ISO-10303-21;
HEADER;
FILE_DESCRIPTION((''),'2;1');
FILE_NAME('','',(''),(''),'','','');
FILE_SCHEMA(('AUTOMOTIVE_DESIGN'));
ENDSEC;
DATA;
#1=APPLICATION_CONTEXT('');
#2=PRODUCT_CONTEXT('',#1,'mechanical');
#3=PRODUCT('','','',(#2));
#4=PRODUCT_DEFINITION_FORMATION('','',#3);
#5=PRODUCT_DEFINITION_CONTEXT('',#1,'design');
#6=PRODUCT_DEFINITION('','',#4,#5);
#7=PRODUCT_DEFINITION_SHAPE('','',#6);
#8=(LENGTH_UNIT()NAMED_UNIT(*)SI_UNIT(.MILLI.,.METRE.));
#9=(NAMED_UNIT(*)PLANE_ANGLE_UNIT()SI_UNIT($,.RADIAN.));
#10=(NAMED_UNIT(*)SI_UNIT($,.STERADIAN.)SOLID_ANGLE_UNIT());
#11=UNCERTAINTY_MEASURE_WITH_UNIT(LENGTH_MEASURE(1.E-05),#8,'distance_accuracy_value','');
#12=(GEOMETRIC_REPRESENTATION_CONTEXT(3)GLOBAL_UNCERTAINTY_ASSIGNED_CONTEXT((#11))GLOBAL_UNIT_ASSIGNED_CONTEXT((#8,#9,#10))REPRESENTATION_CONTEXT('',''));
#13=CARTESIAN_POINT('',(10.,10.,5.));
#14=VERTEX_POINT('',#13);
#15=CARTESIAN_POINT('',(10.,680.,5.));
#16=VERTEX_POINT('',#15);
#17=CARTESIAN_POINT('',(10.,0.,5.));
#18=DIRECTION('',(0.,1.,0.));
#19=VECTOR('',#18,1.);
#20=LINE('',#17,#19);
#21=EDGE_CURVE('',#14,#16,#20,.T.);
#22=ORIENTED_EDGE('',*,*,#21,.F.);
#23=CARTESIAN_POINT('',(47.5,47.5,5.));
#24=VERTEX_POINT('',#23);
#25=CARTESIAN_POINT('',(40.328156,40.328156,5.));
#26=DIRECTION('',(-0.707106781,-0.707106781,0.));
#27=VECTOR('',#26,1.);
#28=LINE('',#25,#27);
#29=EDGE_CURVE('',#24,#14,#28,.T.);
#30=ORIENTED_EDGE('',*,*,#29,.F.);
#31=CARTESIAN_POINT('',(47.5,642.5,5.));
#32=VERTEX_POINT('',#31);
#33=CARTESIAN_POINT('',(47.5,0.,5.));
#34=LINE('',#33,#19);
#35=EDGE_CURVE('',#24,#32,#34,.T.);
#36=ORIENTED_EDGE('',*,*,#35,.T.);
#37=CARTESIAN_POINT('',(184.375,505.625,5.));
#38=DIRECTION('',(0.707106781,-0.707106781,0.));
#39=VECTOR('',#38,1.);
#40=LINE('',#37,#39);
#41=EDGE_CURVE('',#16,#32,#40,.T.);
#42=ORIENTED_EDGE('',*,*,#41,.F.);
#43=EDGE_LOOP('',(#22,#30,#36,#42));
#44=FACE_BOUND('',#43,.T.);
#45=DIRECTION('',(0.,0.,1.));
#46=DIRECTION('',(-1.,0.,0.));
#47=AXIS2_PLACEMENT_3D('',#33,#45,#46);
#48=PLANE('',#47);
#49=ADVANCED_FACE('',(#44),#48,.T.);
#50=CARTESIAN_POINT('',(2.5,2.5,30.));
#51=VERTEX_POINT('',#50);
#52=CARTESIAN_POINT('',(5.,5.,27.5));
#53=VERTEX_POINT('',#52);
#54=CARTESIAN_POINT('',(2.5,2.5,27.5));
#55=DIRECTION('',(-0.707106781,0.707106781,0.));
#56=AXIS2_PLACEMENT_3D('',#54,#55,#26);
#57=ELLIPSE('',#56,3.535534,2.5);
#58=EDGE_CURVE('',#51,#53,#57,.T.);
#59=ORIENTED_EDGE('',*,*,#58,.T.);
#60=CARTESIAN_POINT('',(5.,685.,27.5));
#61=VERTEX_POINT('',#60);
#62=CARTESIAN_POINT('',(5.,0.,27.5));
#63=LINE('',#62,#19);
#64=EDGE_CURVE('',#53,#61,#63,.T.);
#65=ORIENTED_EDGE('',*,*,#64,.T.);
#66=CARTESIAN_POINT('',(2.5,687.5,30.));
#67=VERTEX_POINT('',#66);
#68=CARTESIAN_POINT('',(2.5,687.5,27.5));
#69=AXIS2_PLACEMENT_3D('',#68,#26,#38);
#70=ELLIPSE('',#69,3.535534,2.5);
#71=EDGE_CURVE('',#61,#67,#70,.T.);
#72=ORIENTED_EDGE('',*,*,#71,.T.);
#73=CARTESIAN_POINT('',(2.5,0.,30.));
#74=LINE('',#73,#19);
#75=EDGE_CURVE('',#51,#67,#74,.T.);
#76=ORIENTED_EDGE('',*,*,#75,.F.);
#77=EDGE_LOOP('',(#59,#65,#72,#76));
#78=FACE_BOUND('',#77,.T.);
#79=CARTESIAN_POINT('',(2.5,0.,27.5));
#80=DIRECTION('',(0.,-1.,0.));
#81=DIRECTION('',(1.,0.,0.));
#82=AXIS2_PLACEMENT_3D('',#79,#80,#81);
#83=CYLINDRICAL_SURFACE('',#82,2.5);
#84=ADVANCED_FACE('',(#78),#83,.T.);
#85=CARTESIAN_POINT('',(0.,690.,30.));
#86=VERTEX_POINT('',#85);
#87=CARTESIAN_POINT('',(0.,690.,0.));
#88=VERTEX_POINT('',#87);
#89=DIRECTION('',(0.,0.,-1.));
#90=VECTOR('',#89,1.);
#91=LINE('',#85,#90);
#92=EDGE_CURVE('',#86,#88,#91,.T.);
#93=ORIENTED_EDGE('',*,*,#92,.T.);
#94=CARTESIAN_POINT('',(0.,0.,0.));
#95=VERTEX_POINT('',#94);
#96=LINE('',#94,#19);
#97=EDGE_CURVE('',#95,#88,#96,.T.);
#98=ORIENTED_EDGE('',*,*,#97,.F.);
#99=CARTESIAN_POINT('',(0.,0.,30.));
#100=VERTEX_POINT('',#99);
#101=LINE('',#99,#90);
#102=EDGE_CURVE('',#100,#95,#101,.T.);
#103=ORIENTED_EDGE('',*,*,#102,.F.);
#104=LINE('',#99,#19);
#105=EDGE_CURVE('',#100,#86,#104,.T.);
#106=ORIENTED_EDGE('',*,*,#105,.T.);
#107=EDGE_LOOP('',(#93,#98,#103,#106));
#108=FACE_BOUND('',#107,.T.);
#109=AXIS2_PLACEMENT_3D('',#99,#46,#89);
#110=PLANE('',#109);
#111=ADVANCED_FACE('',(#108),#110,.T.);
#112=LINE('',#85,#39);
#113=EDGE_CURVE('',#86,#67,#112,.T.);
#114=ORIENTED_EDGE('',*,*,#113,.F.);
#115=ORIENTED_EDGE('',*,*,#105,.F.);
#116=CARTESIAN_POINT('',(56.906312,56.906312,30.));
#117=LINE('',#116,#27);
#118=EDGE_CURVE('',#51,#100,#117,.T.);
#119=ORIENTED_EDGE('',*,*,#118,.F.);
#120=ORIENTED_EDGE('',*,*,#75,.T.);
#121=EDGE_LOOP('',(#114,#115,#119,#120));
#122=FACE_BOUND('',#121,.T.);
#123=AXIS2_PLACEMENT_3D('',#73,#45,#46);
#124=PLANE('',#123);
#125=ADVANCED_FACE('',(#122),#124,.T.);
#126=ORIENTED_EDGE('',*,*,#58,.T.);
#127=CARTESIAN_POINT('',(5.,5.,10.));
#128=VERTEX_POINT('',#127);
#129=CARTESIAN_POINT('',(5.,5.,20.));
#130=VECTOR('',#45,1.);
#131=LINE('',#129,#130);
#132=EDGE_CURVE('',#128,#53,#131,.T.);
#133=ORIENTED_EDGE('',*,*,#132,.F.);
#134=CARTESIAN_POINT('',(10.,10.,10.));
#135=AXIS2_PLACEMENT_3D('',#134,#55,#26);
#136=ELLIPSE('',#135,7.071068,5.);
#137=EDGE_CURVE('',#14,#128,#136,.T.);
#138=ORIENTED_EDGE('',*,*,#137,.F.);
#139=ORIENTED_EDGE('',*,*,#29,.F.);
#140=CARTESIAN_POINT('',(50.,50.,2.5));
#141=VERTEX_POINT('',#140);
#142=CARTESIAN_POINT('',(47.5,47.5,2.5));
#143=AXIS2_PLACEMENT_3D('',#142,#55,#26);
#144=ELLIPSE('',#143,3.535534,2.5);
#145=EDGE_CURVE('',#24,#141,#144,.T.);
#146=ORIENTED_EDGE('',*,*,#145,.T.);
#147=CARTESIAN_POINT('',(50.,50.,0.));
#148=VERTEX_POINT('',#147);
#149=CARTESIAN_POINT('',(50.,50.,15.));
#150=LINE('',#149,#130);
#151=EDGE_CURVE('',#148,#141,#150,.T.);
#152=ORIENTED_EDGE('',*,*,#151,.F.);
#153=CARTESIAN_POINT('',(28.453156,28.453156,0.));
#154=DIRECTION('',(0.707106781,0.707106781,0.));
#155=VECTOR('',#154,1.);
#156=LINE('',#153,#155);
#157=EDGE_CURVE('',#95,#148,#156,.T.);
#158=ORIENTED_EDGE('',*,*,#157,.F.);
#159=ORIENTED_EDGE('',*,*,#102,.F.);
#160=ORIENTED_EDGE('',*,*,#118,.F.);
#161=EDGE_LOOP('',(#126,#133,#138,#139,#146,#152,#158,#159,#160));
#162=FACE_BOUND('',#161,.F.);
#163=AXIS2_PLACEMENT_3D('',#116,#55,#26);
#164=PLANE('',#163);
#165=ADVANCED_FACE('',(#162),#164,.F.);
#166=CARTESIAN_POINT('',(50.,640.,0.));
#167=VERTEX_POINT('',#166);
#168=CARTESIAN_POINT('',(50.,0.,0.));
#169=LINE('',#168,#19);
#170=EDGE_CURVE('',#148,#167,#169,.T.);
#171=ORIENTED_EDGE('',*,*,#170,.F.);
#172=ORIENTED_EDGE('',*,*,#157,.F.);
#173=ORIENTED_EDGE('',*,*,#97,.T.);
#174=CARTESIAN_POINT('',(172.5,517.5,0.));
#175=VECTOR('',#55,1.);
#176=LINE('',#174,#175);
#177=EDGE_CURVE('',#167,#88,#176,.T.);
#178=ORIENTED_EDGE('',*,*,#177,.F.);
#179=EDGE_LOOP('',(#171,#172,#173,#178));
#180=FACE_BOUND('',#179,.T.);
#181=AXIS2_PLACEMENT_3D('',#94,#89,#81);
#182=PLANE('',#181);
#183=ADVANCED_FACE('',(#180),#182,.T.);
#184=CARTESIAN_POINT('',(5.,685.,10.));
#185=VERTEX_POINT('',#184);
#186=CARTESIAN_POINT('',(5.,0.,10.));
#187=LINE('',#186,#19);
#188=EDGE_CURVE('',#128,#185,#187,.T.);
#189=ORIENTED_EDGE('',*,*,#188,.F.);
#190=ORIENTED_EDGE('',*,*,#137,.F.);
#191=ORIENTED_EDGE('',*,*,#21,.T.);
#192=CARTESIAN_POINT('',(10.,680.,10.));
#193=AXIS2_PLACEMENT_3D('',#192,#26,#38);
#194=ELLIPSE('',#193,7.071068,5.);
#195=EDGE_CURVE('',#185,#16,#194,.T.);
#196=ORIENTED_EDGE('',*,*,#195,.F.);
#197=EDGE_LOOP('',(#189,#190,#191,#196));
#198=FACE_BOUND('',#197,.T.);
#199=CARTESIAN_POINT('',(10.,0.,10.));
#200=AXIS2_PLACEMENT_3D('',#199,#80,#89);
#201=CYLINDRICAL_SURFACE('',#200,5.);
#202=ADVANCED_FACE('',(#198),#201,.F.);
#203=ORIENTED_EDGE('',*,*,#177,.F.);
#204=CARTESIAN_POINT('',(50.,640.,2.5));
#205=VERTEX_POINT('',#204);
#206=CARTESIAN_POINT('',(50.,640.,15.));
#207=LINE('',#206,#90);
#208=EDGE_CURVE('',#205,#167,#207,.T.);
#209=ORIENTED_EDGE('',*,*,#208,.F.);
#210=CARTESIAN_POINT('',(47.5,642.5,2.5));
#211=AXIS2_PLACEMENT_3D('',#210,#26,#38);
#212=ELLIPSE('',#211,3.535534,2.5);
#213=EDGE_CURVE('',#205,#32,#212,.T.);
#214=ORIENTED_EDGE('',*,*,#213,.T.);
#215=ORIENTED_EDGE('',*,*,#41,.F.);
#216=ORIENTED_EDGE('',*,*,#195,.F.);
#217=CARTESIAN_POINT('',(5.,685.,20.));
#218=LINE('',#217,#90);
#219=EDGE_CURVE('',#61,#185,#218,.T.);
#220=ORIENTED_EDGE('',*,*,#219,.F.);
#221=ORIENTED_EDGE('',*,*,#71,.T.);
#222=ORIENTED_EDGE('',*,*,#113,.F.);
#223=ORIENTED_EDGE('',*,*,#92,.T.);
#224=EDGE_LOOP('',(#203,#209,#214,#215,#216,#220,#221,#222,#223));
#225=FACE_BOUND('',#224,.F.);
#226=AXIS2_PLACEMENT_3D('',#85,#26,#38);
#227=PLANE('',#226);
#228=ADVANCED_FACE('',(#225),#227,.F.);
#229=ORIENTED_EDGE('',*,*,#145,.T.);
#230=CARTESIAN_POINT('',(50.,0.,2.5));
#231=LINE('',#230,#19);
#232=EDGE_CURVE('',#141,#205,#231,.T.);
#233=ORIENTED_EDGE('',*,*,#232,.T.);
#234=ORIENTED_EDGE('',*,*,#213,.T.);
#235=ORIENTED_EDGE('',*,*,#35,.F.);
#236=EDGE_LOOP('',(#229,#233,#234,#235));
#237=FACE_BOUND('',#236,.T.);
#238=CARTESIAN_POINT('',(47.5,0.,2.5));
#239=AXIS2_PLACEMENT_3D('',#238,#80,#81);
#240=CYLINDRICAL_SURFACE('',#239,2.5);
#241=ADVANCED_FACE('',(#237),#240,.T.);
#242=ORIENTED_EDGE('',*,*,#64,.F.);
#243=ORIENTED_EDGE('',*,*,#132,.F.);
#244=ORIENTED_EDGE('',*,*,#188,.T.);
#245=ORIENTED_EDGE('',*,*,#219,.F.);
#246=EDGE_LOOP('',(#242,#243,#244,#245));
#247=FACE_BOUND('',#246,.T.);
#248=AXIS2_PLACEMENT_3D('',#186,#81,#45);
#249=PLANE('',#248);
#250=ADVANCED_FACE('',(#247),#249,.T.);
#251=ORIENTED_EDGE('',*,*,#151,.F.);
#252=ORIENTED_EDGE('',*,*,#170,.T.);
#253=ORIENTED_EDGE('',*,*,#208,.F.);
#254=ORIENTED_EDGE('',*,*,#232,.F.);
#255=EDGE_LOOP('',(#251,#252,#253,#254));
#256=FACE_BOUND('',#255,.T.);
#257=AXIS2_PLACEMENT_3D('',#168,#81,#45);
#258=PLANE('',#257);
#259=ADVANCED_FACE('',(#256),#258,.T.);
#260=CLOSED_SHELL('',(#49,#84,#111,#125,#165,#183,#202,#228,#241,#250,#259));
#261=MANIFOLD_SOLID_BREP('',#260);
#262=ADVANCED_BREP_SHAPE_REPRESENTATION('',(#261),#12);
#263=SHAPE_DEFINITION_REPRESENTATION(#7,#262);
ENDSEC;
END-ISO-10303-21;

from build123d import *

# Parameters (mm, degrees)
F1_DEPTH = 690
F3_DEPTH = 30.001


with BuildPart() as f1:
    # F0 (on Front) → F1 (new body)
    with BuildSketch(Plane.XZ):
        with BuildLine():
            Line((0, 5), (0, 0))
            Line((0, 0), (5, 0))
            Line((5, 0), (50, 0))
            Line((50, 0), (50, 2.5))
            ThreePointArc((50, 2.5), (49.267766953, 4.267766953), (47.5, 5))
            Line((47.5, 5), (10, 5))
            ThreePointArc((10, 5), (6.4644660941, 6.4644660941), (5, 10))
            Line((5, 10), (5, 27.5))
            ThreePointArc((5, 27.5), (4.267766953, 29.267766953), (2.5, 30))
            Line((2.5, 30), (0, 30))
            Line((0, 30), (0, 5))
        make_face()
    extrude(amount=-F1_DEPTH)

    # F2 (on face) → F3 (cut, through all)
    with BuildSketch(Plane.XY.offset(30)):
        Polygon((2.5, 2.5), (2.5, 0), (56.9063119511, 0), (56.9063119511, 56.9063119511), align=None)
        Polygon((2.5, 690), (2.5, 687.5), (56.9063119511, 633.0936880489), (56.9063119511, 690), align=None)
        Polygon((2.5, 690), (0, 690), (2.5, 687.5), align=None)
        Polygon((2.5, 2.5), (0, 0), (2.5, 0), align=None)
    extrude(amount=-F3_DEPTH, mode=Mode.SUBTRACT)


solid = f1.part
